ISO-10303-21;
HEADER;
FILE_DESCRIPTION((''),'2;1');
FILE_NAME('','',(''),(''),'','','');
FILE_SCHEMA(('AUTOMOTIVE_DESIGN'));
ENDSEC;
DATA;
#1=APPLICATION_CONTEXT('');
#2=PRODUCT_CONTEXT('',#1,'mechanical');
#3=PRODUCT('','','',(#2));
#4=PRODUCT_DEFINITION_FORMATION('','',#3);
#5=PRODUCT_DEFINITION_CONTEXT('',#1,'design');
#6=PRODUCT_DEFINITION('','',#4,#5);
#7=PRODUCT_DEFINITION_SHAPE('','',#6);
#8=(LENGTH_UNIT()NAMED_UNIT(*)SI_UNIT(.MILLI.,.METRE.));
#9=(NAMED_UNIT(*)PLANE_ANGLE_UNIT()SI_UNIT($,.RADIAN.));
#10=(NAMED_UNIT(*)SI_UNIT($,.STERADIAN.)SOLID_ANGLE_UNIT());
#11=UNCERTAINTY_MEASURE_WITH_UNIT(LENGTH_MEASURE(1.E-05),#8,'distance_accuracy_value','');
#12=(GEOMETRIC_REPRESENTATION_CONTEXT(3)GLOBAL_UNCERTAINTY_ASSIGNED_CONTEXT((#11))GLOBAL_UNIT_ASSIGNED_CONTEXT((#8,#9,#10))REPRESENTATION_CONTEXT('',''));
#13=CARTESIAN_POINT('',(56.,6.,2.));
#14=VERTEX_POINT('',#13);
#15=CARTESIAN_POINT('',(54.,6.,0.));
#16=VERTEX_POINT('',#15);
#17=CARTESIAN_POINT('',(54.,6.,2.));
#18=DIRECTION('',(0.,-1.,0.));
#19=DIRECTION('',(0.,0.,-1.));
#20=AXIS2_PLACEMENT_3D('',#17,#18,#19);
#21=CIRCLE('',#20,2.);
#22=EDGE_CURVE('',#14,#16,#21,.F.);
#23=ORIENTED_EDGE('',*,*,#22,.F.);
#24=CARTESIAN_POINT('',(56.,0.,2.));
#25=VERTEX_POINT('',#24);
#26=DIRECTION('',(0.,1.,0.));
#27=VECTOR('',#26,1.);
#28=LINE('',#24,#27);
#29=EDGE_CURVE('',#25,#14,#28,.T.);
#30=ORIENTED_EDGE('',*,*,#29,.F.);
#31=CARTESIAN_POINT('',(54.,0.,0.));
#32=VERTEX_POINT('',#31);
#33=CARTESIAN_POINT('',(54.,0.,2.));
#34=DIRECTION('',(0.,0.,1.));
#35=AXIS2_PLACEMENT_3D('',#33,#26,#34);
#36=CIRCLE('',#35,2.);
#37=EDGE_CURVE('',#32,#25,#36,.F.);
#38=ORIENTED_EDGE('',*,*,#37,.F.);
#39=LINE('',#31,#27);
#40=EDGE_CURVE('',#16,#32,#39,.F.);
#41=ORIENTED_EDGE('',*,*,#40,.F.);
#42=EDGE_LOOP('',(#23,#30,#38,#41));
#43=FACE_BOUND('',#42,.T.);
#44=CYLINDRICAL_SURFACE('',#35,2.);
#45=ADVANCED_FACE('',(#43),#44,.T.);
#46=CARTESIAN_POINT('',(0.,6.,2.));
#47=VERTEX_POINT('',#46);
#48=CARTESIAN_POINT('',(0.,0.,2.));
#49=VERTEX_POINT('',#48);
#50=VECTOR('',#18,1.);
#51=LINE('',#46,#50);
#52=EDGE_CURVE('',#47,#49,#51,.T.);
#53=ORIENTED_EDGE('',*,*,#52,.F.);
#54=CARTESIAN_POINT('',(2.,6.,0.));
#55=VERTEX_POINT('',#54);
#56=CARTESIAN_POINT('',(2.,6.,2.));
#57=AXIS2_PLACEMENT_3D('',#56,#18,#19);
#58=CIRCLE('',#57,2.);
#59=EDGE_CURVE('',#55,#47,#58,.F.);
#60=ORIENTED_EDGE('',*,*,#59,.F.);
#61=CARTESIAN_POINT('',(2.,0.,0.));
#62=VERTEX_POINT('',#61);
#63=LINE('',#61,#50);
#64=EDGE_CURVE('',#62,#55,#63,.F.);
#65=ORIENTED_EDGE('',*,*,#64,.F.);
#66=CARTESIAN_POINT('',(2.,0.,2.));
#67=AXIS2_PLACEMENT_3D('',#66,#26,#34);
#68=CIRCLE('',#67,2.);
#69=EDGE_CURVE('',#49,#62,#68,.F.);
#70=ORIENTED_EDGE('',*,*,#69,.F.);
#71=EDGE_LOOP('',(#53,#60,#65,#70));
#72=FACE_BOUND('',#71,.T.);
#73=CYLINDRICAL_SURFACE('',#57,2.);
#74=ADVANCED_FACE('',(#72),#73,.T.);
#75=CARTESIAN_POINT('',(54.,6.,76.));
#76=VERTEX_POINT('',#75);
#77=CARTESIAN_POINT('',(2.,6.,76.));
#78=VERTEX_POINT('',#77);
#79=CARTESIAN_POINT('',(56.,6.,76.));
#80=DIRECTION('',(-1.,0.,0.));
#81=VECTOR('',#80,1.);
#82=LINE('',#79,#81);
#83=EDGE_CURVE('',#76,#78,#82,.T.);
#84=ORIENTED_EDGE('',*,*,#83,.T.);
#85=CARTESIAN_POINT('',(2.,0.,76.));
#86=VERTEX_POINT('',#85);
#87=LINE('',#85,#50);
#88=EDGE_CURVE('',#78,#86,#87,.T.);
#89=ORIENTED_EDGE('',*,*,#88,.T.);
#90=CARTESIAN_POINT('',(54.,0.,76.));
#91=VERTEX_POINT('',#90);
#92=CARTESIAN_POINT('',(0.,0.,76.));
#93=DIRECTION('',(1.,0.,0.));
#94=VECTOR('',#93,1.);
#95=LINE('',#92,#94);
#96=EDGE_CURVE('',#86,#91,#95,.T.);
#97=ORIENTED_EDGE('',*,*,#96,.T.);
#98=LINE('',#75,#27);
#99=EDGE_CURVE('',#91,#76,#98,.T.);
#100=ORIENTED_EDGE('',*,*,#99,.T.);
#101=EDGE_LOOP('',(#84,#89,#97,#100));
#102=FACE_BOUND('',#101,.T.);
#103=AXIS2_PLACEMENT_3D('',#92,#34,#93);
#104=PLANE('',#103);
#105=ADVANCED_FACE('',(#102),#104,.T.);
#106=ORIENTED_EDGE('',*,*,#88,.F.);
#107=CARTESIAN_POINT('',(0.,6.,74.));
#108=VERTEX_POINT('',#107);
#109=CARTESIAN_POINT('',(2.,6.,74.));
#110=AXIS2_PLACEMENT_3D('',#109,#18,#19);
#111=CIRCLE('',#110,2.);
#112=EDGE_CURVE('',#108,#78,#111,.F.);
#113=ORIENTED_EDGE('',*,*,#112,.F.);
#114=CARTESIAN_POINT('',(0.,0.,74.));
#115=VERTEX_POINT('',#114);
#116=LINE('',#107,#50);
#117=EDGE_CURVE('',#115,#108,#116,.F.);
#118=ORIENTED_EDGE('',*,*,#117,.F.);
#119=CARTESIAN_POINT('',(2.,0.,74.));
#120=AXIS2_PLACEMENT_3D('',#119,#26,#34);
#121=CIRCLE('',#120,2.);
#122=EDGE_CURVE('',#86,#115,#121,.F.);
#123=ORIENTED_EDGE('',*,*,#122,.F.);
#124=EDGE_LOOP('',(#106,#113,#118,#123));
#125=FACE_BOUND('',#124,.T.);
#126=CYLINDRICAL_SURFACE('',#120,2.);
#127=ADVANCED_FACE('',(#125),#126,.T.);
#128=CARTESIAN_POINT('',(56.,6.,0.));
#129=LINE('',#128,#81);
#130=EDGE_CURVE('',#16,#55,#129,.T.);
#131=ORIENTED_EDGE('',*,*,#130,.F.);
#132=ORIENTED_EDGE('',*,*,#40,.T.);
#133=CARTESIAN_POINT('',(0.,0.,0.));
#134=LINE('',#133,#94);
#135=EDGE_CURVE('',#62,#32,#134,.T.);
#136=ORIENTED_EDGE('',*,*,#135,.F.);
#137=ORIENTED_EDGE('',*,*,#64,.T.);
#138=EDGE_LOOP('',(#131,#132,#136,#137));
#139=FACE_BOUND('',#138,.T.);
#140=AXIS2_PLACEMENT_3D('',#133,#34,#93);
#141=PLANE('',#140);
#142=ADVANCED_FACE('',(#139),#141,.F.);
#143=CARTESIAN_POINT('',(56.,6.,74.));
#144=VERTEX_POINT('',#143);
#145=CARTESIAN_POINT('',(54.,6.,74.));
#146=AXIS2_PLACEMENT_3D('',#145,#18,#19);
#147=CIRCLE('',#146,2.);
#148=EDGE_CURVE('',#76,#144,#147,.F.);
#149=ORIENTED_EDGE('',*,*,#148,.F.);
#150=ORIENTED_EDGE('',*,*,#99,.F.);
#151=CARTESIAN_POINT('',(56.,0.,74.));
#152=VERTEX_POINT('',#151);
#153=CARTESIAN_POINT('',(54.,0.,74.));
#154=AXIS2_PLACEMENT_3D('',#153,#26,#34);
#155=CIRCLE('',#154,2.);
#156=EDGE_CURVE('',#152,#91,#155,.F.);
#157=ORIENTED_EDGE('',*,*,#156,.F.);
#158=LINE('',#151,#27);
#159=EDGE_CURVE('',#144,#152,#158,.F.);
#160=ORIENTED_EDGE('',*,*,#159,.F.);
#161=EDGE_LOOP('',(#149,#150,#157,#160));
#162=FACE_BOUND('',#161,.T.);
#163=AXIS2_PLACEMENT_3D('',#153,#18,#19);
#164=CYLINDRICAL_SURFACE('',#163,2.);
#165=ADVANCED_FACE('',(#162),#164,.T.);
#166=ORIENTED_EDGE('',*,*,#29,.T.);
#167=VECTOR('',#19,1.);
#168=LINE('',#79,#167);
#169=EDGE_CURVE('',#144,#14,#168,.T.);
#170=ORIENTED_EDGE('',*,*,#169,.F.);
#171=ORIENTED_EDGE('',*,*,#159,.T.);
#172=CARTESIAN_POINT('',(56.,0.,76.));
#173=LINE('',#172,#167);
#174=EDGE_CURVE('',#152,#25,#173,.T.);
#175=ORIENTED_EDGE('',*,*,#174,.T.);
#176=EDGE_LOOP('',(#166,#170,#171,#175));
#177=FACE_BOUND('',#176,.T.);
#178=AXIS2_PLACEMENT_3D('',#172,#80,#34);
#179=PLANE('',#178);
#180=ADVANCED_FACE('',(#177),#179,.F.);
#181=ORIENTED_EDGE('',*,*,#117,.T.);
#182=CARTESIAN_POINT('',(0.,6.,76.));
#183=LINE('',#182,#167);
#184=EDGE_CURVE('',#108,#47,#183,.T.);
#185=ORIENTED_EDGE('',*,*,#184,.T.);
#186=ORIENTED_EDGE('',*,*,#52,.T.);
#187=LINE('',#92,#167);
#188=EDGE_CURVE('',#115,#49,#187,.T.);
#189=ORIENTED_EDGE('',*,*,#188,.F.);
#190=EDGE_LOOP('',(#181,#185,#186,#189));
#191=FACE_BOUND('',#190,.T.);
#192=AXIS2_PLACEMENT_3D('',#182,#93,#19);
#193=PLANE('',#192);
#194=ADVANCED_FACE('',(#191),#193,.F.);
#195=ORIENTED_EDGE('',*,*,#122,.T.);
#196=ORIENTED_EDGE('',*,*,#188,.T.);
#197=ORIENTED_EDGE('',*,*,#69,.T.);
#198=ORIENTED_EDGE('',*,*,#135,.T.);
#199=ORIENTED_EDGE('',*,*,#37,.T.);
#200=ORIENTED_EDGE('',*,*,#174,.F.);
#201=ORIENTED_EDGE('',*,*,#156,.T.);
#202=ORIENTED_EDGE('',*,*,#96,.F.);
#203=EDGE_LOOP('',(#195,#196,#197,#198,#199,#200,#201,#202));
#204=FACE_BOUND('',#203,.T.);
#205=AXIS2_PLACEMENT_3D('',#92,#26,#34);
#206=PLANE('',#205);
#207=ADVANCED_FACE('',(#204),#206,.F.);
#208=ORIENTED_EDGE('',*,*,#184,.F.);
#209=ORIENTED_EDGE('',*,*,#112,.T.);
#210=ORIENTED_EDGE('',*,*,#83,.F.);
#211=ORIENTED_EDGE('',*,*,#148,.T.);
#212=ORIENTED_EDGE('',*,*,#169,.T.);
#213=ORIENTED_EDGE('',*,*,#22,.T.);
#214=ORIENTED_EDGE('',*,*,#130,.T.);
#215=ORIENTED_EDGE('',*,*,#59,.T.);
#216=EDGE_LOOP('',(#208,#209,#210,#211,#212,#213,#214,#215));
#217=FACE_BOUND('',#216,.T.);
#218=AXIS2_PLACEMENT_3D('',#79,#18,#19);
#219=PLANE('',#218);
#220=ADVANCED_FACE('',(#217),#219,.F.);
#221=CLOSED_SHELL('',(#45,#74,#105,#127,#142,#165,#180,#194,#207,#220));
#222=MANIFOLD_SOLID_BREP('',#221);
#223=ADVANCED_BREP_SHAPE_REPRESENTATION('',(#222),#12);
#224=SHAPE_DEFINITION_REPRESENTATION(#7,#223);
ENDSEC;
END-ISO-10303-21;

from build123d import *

# Parameters (mm, degrees)
SKETCH_1_W          = 56
SKETCH_1_H          = 6
SUPPORT_PLATE_DEPTH = 76
FILLET_2_R          = 2


with BuildPart() as part:
    # 草图1 → Support_plate (new body)
    with BuildSketch(Plane.XY):
        with Locations((28, 3)):
            Rectangle(SKETCH_1_W, SKETCH_1_H)
    extrude(amount=SUPPORT_PLATE_DEPTH)

    # Fillet 2
    fillet_2_edges = [part.edges().sort_by_distance(p)[0] for p in [
        (56, 3, 76),
        (0, 3, 76),
        (56, 3, 0),
        (0, 3, 0),
    ]]
    fillet(fillet_2_edges, radius=FILLET_2_R)


solid = part.part
